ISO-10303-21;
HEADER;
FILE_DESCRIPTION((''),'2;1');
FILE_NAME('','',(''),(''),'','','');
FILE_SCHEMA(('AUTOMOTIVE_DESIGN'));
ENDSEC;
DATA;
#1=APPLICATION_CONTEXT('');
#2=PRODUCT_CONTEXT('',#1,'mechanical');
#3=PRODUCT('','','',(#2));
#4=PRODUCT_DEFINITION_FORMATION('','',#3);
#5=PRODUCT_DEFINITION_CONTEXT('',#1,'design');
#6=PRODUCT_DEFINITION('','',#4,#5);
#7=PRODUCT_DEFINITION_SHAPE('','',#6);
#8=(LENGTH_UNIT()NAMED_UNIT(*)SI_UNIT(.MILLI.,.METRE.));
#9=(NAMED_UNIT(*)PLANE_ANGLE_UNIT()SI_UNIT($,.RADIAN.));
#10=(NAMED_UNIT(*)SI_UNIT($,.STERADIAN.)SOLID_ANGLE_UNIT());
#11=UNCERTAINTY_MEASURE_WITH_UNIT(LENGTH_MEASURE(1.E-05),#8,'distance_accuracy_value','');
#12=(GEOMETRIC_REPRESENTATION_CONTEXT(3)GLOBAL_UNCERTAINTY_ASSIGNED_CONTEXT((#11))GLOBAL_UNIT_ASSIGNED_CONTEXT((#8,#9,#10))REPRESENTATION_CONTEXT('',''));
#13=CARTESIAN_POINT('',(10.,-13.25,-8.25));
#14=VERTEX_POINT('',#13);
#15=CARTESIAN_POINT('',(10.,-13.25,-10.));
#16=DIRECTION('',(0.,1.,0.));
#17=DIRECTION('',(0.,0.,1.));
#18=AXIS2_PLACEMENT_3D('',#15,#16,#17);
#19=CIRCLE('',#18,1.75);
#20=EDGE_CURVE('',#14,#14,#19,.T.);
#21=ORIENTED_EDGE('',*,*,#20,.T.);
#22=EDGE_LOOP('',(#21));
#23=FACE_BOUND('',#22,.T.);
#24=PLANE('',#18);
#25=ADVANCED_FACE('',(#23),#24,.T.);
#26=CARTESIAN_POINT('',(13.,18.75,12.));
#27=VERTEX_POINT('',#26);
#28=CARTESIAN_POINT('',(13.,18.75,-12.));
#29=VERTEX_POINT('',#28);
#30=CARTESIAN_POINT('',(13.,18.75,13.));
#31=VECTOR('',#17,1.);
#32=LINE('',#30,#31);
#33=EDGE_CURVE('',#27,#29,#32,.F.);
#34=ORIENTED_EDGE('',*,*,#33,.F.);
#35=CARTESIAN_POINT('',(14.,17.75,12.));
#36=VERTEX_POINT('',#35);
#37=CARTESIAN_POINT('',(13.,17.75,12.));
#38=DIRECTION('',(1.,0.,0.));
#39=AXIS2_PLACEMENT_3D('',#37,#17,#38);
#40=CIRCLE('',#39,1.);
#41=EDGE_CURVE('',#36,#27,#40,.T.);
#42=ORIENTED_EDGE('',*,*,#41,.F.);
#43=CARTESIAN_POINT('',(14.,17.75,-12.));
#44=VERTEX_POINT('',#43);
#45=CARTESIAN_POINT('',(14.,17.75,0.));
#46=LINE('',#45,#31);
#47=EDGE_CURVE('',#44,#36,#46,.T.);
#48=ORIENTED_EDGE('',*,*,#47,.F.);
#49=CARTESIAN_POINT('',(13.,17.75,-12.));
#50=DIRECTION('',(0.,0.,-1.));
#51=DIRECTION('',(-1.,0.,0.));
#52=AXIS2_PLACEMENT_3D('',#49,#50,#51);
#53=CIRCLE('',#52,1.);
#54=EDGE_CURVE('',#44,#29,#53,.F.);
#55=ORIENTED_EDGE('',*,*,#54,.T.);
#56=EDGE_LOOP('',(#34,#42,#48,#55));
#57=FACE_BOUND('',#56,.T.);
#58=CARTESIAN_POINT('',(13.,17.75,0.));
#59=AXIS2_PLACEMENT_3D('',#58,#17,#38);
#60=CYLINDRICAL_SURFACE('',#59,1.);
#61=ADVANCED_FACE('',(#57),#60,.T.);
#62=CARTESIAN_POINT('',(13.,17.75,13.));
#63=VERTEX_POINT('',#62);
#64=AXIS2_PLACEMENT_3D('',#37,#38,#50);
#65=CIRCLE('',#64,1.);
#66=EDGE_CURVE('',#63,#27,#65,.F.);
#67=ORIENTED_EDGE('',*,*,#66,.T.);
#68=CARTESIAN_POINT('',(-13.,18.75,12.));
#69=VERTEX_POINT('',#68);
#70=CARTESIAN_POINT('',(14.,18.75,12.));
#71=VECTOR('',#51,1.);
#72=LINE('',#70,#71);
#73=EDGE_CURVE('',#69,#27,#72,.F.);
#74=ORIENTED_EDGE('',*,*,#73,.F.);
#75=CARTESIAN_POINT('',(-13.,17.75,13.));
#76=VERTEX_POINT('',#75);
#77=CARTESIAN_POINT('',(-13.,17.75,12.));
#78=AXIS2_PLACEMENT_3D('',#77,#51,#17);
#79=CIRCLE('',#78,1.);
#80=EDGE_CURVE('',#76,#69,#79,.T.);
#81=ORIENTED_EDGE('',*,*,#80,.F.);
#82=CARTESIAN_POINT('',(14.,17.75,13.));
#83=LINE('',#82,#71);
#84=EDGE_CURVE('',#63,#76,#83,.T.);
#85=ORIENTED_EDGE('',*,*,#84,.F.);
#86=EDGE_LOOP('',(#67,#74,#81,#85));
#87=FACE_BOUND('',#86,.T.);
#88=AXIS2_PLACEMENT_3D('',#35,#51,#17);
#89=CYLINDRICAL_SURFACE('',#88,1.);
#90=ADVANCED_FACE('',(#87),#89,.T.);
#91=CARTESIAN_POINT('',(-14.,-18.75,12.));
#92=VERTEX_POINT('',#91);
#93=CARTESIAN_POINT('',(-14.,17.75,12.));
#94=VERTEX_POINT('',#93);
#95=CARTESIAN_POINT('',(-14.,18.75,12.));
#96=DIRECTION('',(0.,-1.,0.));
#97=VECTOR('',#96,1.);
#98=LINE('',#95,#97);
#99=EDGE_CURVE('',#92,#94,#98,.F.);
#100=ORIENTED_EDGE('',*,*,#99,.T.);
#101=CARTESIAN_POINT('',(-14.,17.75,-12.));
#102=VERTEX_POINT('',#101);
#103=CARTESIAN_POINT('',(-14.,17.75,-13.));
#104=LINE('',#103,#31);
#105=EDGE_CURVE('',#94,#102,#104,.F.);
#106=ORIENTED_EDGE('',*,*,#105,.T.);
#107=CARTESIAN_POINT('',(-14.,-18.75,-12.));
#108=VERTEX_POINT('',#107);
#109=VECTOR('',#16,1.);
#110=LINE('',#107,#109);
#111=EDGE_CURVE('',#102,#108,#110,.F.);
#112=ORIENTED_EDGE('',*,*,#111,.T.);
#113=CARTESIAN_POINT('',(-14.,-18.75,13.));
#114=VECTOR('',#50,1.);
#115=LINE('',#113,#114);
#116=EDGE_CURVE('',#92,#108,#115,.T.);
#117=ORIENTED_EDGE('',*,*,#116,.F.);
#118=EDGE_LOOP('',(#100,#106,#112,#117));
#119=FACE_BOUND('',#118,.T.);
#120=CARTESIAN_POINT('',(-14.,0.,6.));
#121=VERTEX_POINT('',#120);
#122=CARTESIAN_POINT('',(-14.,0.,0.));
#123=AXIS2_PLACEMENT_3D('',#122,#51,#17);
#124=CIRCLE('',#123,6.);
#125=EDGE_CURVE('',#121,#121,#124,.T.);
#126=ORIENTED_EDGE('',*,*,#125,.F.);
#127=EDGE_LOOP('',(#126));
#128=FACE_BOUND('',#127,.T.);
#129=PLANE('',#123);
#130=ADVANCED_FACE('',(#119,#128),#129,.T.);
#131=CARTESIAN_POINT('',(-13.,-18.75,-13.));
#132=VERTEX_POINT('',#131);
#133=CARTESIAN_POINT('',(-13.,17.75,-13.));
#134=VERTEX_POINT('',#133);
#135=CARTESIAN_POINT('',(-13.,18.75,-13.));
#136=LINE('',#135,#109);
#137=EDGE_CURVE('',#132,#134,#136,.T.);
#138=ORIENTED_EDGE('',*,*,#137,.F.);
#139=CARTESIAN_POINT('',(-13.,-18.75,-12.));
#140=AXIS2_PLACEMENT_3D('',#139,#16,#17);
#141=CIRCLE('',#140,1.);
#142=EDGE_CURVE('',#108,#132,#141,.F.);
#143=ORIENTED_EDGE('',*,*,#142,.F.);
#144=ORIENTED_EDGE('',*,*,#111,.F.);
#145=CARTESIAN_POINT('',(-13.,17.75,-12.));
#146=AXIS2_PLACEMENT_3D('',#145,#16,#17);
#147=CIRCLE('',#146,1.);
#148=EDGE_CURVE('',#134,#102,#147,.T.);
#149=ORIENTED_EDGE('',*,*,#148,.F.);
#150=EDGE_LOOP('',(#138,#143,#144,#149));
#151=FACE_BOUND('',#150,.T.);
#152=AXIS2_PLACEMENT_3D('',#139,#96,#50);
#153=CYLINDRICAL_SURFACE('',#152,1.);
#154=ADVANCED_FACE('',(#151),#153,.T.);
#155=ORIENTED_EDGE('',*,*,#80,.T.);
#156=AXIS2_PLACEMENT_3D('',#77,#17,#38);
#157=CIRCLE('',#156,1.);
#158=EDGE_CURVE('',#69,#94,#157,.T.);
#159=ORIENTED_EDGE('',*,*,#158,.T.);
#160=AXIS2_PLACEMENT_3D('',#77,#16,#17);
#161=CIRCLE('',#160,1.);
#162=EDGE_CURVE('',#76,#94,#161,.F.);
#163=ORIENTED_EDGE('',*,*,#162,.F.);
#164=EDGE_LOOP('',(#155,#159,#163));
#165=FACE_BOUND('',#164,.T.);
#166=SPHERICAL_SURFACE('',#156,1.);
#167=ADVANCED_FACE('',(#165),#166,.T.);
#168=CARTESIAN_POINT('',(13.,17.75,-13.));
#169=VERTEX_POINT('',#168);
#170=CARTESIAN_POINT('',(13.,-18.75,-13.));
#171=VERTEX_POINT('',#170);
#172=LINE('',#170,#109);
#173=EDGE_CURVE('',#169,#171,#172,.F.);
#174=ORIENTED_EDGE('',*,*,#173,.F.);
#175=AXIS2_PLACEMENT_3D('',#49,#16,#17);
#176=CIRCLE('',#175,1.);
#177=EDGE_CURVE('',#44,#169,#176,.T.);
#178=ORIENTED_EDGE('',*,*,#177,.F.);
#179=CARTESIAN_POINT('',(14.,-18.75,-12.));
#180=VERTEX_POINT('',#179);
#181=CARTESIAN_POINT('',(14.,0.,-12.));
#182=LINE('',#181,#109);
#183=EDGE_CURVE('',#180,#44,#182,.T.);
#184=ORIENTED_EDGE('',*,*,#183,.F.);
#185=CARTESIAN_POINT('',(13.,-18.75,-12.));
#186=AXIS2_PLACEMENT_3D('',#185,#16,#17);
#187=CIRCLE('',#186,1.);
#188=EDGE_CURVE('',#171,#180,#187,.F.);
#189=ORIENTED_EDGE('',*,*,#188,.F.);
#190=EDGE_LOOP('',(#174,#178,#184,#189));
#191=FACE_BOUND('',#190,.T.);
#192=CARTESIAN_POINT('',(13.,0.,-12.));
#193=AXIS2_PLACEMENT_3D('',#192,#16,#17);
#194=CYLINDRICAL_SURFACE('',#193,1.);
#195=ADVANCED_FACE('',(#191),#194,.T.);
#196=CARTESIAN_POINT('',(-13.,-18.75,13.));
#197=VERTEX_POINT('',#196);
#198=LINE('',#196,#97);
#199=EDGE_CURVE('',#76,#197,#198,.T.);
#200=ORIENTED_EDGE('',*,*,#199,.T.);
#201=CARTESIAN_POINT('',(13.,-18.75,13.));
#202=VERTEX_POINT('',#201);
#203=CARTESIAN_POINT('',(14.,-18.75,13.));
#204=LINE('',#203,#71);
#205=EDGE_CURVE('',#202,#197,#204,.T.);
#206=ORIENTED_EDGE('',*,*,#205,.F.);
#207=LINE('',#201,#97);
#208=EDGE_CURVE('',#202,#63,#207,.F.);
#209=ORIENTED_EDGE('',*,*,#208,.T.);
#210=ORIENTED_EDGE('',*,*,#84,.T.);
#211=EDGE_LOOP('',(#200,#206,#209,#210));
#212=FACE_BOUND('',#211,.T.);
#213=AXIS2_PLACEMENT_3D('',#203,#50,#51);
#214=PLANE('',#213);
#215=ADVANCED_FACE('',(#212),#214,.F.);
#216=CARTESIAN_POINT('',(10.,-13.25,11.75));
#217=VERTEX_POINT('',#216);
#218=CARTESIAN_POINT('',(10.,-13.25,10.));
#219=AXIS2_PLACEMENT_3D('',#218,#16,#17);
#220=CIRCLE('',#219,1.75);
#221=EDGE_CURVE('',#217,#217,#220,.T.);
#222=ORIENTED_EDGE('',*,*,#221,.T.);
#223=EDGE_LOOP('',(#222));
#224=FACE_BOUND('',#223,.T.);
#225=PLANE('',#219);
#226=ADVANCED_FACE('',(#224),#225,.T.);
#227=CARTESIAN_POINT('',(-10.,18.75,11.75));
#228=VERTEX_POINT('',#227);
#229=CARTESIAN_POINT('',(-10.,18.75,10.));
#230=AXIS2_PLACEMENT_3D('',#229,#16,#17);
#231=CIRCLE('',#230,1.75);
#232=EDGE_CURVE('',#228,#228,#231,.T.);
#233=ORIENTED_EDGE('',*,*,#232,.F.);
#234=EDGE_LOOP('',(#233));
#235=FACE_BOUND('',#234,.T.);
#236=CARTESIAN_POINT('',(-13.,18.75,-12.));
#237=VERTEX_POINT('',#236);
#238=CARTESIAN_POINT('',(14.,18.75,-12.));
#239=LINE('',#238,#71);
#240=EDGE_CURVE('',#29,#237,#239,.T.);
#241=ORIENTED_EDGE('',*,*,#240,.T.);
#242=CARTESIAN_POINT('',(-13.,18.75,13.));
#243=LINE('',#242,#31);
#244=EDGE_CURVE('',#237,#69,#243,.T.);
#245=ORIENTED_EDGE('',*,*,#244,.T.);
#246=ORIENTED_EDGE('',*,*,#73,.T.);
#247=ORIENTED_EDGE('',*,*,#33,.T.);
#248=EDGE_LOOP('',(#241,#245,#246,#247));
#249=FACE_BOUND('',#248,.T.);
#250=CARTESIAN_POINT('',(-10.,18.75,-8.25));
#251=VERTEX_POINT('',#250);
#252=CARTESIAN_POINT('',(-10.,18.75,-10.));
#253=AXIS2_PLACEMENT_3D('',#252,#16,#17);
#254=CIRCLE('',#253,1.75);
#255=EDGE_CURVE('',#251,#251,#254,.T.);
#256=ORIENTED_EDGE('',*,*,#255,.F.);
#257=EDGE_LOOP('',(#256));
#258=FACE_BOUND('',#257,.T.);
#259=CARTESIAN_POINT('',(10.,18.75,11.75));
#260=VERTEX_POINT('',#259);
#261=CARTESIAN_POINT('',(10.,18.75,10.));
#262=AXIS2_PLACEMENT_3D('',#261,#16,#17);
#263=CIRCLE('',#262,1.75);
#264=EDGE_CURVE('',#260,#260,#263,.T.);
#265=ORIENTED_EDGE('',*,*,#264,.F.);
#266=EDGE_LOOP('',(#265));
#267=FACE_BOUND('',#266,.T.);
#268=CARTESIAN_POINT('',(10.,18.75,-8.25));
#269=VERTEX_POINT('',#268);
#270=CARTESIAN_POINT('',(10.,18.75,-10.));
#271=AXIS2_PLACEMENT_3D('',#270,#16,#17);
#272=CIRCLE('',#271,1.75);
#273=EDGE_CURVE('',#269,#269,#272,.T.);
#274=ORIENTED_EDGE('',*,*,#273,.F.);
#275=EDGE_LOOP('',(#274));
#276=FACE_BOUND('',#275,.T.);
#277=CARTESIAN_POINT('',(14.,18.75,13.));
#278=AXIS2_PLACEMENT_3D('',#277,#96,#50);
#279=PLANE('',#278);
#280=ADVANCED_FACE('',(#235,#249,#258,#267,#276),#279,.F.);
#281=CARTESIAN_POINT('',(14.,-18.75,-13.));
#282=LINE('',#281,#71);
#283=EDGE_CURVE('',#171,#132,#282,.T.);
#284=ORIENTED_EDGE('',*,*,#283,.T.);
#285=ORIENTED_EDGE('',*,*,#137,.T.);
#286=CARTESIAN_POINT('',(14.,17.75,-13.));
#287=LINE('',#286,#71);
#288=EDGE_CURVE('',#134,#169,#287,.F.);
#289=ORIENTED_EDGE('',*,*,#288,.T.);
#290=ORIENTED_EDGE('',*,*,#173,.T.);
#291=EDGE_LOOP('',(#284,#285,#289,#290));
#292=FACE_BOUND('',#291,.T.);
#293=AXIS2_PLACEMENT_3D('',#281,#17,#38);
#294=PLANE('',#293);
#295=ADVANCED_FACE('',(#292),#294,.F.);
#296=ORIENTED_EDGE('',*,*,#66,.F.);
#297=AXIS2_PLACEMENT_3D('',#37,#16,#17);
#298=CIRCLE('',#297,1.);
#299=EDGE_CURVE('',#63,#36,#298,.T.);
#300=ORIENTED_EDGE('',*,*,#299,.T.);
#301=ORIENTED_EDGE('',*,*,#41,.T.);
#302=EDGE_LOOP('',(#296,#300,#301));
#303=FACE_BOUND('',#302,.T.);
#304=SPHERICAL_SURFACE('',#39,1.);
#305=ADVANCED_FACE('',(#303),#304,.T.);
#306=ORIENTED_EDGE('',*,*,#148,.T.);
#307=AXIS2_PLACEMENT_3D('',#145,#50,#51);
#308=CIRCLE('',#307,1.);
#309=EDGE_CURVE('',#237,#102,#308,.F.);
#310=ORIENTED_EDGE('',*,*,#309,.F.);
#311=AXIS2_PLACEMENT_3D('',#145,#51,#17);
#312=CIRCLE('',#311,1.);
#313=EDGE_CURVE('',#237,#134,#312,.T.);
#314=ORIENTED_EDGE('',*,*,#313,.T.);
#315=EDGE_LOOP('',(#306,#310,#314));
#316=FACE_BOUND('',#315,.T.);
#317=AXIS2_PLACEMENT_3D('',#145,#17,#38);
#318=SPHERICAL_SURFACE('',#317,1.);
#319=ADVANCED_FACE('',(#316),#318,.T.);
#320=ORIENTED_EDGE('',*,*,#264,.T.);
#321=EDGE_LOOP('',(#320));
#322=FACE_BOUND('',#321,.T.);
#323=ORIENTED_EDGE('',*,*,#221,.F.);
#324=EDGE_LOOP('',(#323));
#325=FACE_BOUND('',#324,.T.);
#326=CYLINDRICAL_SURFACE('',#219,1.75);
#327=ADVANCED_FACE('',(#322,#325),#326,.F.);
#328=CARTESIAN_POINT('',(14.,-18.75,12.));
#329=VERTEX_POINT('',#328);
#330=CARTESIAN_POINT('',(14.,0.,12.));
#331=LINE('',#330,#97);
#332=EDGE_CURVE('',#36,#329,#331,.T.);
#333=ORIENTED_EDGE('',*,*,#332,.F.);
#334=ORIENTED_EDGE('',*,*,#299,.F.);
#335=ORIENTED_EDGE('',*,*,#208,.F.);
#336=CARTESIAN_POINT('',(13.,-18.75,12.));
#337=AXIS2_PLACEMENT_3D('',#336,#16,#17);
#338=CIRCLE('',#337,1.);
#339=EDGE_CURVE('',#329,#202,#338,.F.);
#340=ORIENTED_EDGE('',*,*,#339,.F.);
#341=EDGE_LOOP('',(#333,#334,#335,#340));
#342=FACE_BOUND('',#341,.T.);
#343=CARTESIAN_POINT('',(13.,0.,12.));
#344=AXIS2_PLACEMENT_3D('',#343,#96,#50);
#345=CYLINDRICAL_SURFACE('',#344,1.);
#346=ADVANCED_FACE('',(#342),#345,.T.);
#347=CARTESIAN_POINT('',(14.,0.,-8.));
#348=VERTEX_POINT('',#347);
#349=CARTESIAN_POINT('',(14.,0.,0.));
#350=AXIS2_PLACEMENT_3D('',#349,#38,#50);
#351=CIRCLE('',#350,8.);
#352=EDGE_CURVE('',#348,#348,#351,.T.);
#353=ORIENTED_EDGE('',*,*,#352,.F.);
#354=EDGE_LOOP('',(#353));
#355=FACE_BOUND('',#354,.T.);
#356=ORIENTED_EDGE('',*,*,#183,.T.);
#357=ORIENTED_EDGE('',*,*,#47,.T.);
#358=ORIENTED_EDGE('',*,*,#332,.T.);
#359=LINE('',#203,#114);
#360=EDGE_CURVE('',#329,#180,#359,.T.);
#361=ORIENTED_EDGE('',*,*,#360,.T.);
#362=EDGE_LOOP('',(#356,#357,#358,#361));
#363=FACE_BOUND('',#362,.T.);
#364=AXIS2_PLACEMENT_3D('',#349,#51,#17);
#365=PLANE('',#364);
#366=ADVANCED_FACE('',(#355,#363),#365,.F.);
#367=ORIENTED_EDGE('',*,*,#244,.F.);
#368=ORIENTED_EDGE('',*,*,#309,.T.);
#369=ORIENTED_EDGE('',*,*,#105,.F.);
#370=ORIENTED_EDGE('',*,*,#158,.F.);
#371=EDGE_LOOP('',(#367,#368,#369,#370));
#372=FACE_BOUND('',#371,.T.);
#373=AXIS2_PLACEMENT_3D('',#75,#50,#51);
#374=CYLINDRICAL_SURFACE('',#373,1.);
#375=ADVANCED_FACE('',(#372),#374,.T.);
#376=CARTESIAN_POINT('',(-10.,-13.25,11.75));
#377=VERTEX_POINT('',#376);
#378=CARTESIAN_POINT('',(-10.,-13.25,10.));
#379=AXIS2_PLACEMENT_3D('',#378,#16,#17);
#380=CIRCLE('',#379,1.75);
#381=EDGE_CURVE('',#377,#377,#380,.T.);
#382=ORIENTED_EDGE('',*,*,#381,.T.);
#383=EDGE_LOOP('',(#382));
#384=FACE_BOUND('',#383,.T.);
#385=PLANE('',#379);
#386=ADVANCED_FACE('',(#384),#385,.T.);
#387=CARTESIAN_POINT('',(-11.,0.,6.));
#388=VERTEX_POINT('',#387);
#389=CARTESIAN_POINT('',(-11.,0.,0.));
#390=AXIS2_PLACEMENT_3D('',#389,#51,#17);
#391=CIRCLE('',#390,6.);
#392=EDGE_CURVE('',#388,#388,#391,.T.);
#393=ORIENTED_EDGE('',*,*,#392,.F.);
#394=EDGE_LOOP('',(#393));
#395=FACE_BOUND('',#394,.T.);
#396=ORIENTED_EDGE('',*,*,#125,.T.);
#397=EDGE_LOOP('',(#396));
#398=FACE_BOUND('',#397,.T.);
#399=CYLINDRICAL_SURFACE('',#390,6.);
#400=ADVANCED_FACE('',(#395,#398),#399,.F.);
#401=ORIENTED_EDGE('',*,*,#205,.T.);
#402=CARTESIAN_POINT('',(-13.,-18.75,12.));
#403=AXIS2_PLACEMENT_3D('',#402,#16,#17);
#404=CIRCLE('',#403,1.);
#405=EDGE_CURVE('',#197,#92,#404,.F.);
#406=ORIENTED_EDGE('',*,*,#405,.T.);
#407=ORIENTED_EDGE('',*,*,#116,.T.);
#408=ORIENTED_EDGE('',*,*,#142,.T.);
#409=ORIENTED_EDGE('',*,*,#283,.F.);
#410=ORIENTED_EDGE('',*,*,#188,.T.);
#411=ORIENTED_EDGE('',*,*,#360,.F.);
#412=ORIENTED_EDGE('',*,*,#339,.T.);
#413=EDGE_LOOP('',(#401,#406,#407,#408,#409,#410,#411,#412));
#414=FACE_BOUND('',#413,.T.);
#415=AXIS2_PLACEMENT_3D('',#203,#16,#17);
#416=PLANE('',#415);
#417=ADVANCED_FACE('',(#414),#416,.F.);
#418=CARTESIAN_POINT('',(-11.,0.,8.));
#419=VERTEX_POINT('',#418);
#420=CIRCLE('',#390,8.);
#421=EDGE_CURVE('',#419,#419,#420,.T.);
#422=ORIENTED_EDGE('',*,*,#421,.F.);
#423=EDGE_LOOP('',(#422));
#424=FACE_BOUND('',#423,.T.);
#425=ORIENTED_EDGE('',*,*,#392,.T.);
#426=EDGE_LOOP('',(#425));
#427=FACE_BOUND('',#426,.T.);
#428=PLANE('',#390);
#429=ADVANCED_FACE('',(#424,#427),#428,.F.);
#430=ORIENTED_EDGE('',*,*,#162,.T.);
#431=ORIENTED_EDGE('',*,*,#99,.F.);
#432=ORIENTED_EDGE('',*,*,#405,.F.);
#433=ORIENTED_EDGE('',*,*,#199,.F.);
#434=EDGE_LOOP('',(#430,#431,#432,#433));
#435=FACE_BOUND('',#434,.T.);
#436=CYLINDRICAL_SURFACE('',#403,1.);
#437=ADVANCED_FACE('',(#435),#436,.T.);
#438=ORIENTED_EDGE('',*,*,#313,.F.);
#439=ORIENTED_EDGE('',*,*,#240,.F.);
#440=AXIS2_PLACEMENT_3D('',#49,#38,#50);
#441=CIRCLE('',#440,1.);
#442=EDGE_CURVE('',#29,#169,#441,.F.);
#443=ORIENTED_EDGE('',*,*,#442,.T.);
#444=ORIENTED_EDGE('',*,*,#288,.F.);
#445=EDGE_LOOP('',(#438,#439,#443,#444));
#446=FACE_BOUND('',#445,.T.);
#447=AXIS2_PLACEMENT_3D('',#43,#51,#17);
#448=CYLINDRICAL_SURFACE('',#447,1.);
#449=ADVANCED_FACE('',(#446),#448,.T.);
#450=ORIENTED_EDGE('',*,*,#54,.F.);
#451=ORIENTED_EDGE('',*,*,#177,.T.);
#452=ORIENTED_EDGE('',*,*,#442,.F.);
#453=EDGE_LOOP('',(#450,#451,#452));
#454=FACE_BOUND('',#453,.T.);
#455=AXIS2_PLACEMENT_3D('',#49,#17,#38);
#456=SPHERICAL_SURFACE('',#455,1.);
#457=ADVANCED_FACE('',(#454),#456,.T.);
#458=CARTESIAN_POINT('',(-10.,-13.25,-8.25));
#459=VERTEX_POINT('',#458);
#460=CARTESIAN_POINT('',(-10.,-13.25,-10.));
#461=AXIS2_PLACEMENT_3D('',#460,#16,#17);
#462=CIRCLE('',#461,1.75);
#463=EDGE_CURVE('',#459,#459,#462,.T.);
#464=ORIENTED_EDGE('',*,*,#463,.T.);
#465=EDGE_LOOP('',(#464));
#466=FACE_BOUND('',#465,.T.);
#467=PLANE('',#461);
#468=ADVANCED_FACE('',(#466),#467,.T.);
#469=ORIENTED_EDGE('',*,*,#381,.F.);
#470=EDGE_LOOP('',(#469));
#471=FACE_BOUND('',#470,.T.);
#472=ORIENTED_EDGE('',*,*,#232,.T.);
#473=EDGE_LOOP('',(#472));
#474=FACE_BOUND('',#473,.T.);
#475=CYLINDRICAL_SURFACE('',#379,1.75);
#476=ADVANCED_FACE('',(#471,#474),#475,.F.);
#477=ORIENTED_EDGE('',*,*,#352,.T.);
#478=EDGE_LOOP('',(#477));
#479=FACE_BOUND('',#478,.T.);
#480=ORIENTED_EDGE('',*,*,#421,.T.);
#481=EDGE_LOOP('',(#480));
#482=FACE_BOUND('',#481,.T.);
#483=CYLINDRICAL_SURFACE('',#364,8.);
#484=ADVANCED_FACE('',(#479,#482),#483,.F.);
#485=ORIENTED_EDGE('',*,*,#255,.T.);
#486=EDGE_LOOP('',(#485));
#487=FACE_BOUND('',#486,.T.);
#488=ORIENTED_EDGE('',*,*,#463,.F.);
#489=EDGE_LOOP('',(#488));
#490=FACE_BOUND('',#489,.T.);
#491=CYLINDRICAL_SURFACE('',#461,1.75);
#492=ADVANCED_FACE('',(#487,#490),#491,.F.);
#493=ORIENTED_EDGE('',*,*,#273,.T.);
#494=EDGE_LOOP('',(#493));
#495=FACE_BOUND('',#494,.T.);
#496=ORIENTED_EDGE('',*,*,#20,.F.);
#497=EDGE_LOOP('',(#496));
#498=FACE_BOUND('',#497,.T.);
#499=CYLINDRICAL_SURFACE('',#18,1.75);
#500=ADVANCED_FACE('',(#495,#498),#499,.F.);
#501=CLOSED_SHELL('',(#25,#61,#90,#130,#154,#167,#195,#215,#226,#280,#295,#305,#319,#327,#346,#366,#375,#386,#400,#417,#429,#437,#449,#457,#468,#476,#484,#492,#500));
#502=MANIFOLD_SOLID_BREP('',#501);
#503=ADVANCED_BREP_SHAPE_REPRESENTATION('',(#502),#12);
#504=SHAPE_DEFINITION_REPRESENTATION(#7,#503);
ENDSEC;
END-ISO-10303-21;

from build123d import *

# Parameters (mm, degrees)
SKETCH1_W           = 26
SKETCH1_H           = 37.5
SKETCH1_R           = 8
BOSS_EXTRUDE1_DEPTH = 14
SKETCH2_R           = 1.75
CUT_EXTRUDE1_DEPTH  = 32
SKETCH5_R           = 8.35
SKETCH5_R_2         = 6
BOSS_EXTRUDE3_DEPTH = 3
FILLET3_R           = 1


with BuildPart() as part:
    # Sketch1 → Boss-Extrude1 (new, symmetric)
    with BuildSketch(Plane(origin=(0, 0, 0), x_dir=(0, 0, -1), z_dir=(1, 0, 0))):
        Rectangle(SKETCH1_W, SKETCH1_H)
        Circle(SKETCH1_R, mode=Mode.SUBTRACT)
    extrude(amount=BOSS_EXTRUDE1_DEPTH, both=True)

    # Sketch2 → Cut-Extrude1 (cut)
    with BuildSketch(Plane(origin=(0, 18.75, 0), x_dir=(1, 0, 0), z_dir=(0, 1, 0))):
        with Locations(Location((-10, 10, 0), (0, 0, 270))):
            Circle(SKETCH2_R)
        with Locations(Location((10, 10, 0), (0, 0, 270))):
            Circle(SKETCH2_R)
        with Locations(Location((10, -10, 0), (0, 0, 270))):
            Circle(SKETCH2_R)
        with Locations(Location((-10, -10, 0), (0, 0, 270))):
            Circle(SKETCH2_R)
    extrude(amount=-CUT_EXTRUDE1_DEPTH, mode=Mode.SUBTRACT)

    # Sketch5 → Boss-Extrude3 (add)
    with BuildSketch(Plane.ZY.offset(14)):
        Circle(SKETCH5_R)
        Circle(SKETCH5_R_2, mode=Mode.SUBTRACT)
    extrude(amount=-BOSS_EXTRUDE3_DEPTH)

    # Fillet3
    fillet3_edges = [part.edges().sort_by_distance(p)[0] for p in [
        (14, 0, 13),
        (14, 0, -13),
        (-14, 0, 13),
        (-14, 18.75, 0),
        (-14, 0, -13),
        (0, 18.75, 13),
        (0, 18.75, -13),
        (14, 18.75, 0),
    ]]
    fillet(fillet3_edges, radius=FILLET3_R)


solid = part.part
